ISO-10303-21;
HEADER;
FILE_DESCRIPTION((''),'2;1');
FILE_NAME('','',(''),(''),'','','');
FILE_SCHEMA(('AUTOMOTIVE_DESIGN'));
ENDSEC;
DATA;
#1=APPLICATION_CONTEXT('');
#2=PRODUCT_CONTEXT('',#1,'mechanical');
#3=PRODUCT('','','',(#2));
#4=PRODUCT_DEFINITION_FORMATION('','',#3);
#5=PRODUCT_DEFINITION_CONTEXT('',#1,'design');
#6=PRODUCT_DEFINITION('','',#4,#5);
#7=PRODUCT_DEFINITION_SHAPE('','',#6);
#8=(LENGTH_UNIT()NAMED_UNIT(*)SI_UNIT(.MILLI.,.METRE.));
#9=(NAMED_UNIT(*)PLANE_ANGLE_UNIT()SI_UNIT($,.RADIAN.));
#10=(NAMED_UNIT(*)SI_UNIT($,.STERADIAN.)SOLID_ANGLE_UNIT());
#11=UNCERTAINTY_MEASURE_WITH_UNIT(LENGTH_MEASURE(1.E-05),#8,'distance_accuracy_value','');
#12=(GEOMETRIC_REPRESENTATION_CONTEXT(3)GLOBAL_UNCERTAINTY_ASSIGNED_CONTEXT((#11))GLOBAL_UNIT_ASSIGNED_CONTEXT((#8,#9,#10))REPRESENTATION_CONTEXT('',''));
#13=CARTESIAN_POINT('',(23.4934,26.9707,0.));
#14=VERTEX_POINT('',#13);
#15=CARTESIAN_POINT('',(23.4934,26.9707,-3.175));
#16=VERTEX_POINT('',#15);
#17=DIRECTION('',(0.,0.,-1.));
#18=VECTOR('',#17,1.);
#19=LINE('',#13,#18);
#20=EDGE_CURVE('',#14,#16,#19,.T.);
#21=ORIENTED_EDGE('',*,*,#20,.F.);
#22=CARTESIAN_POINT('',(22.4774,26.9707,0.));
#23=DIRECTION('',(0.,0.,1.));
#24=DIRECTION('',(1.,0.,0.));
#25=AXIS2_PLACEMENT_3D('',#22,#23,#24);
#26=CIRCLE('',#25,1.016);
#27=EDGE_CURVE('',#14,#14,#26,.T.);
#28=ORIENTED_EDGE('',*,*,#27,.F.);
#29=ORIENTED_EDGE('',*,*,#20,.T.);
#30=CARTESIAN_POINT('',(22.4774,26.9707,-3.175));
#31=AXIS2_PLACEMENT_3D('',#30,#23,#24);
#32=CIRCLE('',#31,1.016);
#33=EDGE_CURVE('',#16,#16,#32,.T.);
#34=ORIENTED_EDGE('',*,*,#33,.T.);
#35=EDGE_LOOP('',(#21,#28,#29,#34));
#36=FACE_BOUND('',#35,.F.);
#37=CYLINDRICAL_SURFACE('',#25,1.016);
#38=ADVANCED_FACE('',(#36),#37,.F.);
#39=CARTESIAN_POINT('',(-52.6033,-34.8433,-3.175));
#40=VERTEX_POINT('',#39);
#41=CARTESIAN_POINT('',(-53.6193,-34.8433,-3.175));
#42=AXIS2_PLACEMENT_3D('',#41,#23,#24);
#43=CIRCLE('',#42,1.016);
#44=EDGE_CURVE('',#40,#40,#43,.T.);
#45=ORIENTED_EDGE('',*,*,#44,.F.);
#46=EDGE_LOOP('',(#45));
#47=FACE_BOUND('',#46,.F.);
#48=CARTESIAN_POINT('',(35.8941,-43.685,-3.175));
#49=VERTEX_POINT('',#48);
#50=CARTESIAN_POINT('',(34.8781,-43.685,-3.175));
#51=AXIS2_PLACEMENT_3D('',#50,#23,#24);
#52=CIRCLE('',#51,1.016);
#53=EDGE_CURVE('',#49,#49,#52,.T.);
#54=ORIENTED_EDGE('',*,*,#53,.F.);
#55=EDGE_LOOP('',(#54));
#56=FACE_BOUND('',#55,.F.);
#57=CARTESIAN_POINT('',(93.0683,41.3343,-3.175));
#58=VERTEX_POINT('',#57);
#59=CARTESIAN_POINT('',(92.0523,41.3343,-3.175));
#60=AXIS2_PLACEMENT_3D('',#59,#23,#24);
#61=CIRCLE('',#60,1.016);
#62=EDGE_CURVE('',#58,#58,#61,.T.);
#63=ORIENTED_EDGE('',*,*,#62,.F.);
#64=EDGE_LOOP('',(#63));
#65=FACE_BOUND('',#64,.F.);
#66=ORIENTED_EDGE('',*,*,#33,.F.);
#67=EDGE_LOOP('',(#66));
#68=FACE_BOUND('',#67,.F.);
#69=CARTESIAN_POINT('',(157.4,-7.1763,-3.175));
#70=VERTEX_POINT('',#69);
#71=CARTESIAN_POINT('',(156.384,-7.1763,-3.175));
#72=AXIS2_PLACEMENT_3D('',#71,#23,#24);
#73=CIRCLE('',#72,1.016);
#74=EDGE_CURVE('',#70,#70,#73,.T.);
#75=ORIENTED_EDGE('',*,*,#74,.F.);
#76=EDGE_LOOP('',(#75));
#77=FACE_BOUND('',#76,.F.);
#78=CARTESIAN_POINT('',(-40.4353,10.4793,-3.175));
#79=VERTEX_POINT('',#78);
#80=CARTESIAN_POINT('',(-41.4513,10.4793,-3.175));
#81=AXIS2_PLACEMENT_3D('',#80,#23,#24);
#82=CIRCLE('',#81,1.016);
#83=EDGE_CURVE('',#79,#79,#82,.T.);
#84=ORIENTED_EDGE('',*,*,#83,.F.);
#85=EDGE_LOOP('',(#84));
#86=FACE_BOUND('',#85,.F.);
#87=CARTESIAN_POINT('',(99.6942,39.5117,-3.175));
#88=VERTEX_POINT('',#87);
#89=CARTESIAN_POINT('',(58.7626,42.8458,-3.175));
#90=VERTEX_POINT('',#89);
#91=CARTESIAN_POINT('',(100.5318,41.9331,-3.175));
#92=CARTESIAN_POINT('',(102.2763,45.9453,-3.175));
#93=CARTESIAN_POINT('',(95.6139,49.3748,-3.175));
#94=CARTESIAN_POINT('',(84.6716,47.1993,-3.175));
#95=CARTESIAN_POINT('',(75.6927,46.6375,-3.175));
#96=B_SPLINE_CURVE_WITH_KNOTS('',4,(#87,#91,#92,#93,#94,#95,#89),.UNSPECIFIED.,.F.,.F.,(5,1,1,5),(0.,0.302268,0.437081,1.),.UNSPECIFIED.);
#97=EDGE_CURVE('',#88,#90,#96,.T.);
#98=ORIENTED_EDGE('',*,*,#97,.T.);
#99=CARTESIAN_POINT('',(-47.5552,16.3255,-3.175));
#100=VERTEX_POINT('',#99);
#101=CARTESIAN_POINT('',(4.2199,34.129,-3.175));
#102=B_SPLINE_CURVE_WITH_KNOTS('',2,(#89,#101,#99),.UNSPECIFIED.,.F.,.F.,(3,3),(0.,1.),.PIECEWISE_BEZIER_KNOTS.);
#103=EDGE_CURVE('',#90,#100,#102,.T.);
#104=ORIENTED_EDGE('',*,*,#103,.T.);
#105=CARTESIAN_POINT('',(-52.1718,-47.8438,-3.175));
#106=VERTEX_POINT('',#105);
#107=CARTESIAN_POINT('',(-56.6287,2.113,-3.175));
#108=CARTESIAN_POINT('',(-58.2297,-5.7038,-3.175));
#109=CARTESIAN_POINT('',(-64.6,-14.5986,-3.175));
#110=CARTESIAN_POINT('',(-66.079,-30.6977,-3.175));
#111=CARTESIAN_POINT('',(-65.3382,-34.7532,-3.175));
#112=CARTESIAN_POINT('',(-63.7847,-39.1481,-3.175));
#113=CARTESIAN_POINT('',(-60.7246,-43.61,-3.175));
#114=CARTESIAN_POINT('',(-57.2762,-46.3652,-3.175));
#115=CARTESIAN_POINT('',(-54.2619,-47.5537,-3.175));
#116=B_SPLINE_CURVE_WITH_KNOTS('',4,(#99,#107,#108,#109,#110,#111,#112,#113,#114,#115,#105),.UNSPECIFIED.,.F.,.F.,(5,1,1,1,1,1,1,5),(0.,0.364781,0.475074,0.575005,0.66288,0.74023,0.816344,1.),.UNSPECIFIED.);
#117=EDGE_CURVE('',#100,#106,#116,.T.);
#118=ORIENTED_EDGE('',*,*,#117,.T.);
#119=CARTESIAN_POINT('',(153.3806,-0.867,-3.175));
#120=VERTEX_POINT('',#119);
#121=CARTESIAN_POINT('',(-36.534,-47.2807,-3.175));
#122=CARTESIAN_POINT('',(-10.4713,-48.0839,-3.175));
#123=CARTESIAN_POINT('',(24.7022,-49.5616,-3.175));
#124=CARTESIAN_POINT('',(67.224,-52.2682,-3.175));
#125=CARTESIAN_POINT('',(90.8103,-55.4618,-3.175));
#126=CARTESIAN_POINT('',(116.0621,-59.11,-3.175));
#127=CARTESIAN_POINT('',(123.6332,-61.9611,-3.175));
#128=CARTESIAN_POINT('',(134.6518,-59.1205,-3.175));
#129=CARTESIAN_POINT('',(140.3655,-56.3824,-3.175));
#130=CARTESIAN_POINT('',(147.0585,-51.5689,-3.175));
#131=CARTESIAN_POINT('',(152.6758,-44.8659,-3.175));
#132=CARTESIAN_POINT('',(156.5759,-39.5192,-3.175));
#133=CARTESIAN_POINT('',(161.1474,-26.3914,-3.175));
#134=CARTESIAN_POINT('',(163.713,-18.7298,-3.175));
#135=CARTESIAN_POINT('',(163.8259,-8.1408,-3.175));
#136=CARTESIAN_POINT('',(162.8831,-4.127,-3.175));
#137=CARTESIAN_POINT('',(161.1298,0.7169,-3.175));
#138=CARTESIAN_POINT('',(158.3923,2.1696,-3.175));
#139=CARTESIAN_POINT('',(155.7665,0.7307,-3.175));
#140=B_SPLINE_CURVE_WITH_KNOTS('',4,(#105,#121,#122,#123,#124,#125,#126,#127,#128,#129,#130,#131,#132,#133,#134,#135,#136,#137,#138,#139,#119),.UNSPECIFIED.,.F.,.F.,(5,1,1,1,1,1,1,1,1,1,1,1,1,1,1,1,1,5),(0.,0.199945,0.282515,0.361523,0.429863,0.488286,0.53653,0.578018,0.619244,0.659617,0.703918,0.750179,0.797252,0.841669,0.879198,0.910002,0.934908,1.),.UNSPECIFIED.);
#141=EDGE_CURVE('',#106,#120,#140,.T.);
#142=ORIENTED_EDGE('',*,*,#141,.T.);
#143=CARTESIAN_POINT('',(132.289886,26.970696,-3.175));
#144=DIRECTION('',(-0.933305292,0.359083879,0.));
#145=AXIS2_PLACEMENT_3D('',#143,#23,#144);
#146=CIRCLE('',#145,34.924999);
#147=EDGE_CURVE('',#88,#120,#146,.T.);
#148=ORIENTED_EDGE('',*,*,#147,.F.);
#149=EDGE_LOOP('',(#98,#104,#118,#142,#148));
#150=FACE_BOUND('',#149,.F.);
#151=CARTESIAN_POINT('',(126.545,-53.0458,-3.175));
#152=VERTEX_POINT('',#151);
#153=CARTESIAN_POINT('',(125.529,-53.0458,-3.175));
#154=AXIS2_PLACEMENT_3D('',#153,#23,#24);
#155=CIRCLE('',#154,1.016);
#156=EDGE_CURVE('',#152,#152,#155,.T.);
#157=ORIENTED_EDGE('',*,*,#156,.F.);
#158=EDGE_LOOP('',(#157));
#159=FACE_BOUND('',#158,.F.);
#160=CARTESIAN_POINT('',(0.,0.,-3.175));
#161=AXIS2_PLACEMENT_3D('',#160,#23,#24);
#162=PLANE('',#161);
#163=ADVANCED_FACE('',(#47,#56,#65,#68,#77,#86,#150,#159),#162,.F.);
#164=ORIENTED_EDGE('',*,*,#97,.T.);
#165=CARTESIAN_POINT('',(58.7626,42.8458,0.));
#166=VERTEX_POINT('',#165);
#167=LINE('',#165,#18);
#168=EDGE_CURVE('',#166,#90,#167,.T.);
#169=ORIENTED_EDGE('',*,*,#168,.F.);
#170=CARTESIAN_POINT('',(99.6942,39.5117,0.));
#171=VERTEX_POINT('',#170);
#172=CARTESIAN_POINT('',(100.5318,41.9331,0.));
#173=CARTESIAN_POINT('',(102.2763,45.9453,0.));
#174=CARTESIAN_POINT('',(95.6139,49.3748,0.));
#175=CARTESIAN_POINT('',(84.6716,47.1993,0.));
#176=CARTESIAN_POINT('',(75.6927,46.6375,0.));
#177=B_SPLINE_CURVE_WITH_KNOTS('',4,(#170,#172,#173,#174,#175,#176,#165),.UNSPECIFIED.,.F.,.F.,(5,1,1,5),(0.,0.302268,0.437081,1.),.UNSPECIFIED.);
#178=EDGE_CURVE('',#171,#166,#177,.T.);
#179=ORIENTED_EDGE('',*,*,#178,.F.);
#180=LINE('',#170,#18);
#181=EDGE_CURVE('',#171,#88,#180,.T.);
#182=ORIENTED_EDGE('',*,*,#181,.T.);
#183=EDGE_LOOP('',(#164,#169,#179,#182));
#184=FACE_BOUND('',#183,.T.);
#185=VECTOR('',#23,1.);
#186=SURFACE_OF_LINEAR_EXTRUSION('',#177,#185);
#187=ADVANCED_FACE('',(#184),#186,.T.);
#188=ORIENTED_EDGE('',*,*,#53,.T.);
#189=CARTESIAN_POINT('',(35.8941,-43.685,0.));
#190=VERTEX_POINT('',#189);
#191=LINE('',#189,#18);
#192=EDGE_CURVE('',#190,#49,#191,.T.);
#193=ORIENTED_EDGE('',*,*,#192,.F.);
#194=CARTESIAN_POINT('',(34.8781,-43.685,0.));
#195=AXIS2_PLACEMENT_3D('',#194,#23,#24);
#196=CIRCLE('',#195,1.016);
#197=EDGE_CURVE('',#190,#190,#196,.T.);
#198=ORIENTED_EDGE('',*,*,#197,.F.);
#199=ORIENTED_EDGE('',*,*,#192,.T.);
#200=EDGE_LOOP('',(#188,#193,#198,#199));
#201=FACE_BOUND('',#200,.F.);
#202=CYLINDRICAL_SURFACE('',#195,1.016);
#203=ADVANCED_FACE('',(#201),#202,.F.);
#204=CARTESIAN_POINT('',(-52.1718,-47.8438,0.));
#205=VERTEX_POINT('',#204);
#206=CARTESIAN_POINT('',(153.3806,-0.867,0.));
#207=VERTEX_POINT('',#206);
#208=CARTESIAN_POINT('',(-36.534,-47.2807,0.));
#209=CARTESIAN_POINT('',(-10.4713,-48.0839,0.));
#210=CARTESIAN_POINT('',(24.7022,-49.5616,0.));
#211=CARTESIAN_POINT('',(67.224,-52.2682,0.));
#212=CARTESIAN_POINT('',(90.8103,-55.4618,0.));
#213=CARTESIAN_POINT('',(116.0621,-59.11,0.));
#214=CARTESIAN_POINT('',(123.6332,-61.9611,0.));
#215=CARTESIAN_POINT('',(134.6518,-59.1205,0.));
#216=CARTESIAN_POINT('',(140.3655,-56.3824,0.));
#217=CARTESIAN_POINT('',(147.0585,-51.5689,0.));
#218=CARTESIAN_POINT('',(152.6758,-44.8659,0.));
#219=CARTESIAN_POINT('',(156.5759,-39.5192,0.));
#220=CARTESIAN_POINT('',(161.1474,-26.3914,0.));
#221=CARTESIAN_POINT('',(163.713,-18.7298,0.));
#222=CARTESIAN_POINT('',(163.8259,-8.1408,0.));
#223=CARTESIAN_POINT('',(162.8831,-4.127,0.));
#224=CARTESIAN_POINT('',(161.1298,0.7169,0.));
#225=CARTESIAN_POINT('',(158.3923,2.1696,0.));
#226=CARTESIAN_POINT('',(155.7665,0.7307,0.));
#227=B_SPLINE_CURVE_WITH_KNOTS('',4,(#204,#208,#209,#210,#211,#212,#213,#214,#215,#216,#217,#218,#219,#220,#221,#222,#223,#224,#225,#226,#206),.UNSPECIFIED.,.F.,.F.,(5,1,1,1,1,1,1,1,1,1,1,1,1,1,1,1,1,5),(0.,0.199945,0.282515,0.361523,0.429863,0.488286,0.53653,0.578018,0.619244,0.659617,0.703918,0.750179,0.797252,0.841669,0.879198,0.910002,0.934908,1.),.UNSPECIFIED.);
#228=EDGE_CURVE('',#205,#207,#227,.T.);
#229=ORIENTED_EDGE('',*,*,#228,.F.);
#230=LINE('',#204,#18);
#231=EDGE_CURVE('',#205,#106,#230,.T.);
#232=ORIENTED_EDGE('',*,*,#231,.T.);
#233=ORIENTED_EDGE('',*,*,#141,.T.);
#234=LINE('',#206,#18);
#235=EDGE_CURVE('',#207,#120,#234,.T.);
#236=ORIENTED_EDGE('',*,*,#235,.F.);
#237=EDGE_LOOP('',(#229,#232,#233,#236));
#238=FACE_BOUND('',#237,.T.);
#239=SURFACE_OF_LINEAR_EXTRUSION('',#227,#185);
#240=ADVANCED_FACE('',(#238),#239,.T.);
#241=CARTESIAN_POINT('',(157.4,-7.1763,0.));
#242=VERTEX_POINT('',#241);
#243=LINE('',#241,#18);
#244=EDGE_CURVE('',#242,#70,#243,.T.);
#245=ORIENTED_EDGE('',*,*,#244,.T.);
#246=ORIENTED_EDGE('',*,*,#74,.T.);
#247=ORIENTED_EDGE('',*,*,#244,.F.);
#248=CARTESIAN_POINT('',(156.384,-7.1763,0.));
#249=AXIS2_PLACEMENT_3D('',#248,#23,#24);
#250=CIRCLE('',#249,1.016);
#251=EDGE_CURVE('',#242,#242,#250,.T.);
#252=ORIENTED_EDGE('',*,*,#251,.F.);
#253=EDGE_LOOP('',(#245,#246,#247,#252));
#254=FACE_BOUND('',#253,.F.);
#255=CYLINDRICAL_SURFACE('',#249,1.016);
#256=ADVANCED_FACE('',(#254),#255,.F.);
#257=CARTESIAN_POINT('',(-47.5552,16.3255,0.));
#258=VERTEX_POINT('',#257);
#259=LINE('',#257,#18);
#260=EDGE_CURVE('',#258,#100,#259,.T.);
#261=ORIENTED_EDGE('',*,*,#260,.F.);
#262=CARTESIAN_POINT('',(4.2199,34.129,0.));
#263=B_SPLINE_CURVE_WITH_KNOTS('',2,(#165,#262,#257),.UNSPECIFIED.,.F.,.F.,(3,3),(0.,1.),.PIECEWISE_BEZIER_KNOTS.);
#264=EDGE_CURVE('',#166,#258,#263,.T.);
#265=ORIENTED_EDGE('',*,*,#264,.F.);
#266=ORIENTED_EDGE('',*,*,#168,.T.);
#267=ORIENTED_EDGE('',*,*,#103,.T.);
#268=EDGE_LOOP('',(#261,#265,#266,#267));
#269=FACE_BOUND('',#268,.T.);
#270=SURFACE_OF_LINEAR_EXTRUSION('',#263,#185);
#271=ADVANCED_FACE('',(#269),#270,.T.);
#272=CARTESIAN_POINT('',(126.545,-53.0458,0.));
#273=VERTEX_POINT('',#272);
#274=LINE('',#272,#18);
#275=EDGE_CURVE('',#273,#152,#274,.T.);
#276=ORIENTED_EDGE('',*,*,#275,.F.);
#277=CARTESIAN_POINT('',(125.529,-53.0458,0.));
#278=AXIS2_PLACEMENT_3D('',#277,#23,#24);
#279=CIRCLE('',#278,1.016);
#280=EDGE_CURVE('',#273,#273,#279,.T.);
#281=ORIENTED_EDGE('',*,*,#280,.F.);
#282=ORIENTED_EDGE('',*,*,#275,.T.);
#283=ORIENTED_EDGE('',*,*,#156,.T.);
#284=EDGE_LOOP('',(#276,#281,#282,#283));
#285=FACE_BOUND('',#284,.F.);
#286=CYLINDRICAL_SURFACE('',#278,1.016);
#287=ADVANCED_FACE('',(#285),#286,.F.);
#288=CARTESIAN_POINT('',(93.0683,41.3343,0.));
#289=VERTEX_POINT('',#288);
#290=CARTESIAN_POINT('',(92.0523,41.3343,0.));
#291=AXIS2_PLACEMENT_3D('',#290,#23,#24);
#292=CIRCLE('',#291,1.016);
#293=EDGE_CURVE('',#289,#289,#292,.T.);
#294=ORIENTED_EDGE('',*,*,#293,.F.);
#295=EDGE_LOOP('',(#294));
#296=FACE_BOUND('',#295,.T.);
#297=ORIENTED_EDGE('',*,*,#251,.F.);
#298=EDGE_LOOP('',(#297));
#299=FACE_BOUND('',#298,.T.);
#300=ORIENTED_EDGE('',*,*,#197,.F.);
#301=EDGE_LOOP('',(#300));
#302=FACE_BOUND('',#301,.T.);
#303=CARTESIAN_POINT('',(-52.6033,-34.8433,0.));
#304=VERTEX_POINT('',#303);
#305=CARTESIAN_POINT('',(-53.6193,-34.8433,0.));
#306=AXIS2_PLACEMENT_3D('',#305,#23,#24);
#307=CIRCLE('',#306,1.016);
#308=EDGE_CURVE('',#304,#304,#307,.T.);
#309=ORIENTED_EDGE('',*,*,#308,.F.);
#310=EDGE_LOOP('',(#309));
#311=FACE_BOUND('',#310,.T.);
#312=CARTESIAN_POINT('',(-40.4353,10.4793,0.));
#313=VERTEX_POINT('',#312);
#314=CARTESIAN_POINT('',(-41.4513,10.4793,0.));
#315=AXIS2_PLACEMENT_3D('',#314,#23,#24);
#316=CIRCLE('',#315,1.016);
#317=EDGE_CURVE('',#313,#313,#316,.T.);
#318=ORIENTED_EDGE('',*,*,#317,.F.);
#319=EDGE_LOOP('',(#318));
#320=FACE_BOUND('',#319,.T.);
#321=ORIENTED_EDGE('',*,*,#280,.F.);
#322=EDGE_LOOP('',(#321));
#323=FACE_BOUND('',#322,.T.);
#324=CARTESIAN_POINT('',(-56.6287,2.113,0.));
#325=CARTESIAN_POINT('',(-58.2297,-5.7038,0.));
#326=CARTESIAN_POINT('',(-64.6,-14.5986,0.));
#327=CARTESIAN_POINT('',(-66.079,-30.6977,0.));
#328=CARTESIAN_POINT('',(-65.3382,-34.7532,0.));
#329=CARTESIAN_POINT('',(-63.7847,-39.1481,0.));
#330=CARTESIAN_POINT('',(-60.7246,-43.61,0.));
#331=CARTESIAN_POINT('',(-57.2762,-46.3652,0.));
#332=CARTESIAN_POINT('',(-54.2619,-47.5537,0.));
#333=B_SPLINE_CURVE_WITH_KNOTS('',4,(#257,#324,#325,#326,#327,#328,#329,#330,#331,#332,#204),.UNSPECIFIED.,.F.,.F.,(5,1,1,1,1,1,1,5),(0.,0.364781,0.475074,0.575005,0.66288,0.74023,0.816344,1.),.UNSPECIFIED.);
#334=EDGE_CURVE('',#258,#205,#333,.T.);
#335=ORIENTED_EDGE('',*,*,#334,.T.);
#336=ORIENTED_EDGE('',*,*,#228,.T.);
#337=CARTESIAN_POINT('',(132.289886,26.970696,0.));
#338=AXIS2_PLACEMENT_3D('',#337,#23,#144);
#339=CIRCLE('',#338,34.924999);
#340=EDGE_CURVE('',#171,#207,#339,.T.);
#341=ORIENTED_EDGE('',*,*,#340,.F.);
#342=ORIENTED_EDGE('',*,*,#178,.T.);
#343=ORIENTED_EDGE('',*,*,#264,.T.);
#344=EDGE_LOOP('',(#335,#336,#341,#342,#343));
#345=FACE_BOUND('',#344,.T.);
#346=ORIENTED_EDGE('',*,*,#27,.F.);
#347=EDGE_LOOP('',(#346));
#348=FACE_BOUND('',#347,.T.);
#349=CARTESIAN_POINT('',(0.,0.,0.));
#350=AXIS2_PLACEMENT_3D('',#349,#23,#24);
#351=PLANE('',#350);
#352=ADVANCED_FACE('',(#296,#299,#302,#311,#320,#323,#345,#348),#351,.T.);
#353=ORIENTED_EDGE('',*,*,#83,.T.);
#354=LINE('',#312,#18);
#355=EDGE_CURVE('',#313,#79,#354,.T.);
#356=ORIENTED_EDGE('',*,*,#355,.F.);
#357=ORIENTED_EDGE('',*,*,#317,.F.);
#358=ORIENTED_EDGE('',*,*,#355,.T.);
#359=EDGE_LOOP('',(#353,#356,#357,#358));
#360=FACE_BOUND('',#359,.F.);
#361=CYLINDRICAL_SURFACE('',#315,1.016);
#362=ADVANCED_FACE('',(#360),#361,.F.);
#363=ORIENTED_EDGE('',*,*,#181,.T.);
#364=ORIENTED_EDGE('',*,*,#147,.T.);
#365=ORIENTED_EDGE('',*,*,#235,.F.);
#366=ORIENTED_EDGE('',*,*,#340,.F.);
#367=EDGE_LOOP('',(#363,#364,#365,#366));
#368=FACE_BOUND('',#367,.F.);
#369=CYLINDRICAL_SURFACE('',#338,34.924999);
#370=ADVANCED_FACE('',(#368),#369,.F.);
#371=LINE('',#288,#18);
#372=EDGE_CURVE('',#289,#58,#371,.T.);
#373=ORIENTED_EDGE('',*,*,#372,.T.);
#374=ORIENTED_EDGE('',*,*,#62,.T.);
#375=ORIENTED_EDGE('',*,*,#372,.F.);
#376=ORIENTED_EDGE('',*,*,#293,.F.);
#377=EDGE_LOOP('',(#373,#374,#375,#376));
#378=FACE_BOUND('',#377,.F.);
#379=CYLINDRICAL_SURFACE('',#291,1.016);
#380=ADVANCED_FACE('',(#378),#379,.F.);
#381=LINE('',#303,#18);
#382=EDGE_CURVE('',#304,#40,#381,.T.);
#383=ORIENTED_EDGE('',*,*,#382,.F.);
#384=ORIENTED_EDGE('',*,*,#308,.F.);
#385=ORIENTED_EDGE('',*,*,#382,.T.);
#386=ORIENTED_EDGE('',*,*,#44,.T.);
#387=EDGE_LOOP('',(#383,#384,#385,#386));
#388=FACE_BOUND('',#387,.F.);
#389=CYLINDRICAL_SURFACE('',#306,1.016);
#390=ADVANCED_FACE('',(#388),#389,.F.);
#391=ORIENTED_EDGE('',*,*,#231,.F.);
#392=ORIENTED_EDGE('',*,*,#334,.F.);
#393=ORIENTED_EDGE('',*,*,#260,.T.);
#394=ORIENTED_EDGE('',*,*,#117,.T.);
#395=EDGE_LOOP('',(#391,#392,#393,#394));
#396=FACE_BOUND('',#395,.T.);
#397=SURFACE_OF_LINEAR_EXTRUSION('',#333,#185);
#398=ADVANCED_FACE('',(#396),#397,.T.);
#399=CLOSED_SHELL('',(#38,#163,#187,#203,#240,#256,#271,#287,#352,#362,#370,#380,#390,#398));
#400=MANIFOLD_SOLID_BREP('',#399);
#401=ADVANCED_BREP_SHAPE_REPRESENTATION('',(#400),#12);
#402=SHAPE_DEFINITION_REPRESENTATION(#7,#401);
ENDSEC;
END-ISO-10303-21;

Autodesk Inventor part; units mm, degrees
ref_plane "YZ Plane" through (0, 0, 0) normal (1, 0, 0) x (0, 1, 0)
ref_plane "XZ Plane" through (0, 0, 0) normal (0, 1, 0) x (-1, 0, 0)
ref_plane "XY Plane" through (0, 0, 0) normal (0, 0, 1) x (1, 0, 0)
sketch "Sketch1" plane through (0, 0, 0) normal (0, 0, 1) x (1, 0, 0)
  circle A0 centre (22.4774, 26.9707) radius 1.5875 construction
  circle A1 centre (125.529, -53.0458) radius 1.5875 construction
  circle A2 centre (-41.4513, 10.4793) radius 1.5875 construction
  circle A3 centre (-53.6193, -34.8433) radius 1.5875 construction
  circle A4 centre (92.0523, 41.3343) radius 1.5875 construction
  circle A5 centre (156.384, -7.2553) radius 1.5875 construction
  circle A6 centre (34.8781, -43.685) radius 1.5875 construction
  spline S0 degree 4 poles (-47.5552, 16.3255) (-56.6287, 2.113) (-58.2297, -5.7038) (-64.6, -14.5986) (-66.079, -30.6977) (-65.3382, -34.7532) (-63.7847, -39.1481) (-60.7246, -43.61) (-57.2762, -46.3652) (-54.2619, -47.5537) (-52.1718, -47.8438) knots 0 0 0 0 0 0.364781 0.475074 0.575005 0.66288 0.74023 0.816344 1 1 1 1 1
  spline S1 degree 2 poles (58.7626, 42.8458) (4.2199, 34.129) (-47.5552, 16.3255) knots 0 0 0 1 1 1
  spline S2 degree 4 poles (99.6942, 39.5117) (100.5318, 41.9331) (102.2763, 45.9453) (95.6139, 49.3748) (84.6716, 47.1993) (75.6927, 46.6375) (58.7626, 42.8458) knots 0 0 0 0 0 0.302268 0.437081 1 1 1 1 1
  arc A7 (99.6942, 39.5117) -> (153.3806, -0.867) centre (132.2899, 26.9707) ccw
  spline S3 degree 4 poles (-52.1718, -47.8438) (-36.534, -47.2807) (-10.4713, -48.0839) (24.7022, -49.5616) (67.224, -52.2682) (90.8103, -55.4618) (116.0621, -59.11) (123.6332, -61.9611) (134.6518, -59.1205) (140.3655, -56.3824) (147.0585, -51.5689) (152.6758, -44.8659) (156.5759, -39.5192) (161.1474, -26.3914) (163.713, -18.7298) (163.8259, -8.1408) (162.8831, -4.127) (161.1298, 0.7169) (158.3923, 2.1696) (155.7665, 0.7307) (153.3806, -0.867) knots 0 0 0 0 0 0.199945 0.282515 0.361523 0.429863 0.488286 0.53653 0.578018 0.619244 0.659617 0.703918 0.750179 0.797252 0.841669 0.879198 0.910002 0.934908 1 1 1 1 1
  circle A8 centre (-41.4513, 10.4793) radius 1.016
  circle A9 centre (22.4774, 26.9707) radius 1.016
  circle A10 centre (92.0523, 41.3343) radius 1.016
  circle A11 centre (156.384, -7.1763) radius 1.016
  circle A12 centre (125.529, -53.0458) radius 1.016
  circle A13 centre (34.8781, -43.685) radius 1.016
  circle A14 centre (-53.6193, -34.8433) radius 1.016
  point P0 (-58.1503, -3.4556)
  point P1 (-61.848, -12.1317)
  point P2 (-64.9126, -22.073)
  point P3 (-65.6993, -31.3231)
  point P4 (-64.9927, -35.4369)
  point P5 (-63.5229, -39.1631)
  point P6 (-61.3341, -42.4183)
  point P7 (-58.5466, -45.0642)
  point P8 (-55.3853, -46.9262)
  point P9 (4.7943, 31.828)
  point P10 (100.8602, 43.7772)
  point P11 (100.1647, 46.1477)
  point P12 (97.4566, 47.5413)
  point P13 (92.3454, 47.9534)
  point P14 (84.3053, 47.3258)
  point P15 (-26.9279, -47.7688)
  point P16 (3.8331, -48.7884)
  point P17 (37.2041, -50.4527)
  point P18 (68.9139, -52.8419)
  point P19 (96.8666, -56.3799)
  point P20 (117.5981, -59.9718)
  point P21 (125.9835, -60.7611)
  point P22 (134.5495, -58.8078)
  point P23 (140.4841, -56.0058)
  point P24 (146.5962, -51.4173)
  point P25 (152.0147, -45.51)
  point P26 (156.0745, -39.2339)
  point P27 (160.8814, -27.0309)
  point P28 (163.3992, -16.4807)
  point P29 (163.3984, -7.1763)
  point P30 (162.4893, -3.2093)
  point P31 (161.1529, -0.4019)
  point P32 (159.493, 1.023)
  point P33 (157.3678, 1.1626)
  dimension "d2" = 2.032
  dimension "d3" = 2.032
  dimension "d4" = 2.032
  dimension "d5" = 2.032
  dimension "d6" = 2.032
  dimension "d7" = 2.032
  dimension "d8" = 2.032
extrude "Extrusion1" add sketch "Sketch1" against normal blind 3.175
properties part number "mountingBase02" material "Wood (Cherry)"
